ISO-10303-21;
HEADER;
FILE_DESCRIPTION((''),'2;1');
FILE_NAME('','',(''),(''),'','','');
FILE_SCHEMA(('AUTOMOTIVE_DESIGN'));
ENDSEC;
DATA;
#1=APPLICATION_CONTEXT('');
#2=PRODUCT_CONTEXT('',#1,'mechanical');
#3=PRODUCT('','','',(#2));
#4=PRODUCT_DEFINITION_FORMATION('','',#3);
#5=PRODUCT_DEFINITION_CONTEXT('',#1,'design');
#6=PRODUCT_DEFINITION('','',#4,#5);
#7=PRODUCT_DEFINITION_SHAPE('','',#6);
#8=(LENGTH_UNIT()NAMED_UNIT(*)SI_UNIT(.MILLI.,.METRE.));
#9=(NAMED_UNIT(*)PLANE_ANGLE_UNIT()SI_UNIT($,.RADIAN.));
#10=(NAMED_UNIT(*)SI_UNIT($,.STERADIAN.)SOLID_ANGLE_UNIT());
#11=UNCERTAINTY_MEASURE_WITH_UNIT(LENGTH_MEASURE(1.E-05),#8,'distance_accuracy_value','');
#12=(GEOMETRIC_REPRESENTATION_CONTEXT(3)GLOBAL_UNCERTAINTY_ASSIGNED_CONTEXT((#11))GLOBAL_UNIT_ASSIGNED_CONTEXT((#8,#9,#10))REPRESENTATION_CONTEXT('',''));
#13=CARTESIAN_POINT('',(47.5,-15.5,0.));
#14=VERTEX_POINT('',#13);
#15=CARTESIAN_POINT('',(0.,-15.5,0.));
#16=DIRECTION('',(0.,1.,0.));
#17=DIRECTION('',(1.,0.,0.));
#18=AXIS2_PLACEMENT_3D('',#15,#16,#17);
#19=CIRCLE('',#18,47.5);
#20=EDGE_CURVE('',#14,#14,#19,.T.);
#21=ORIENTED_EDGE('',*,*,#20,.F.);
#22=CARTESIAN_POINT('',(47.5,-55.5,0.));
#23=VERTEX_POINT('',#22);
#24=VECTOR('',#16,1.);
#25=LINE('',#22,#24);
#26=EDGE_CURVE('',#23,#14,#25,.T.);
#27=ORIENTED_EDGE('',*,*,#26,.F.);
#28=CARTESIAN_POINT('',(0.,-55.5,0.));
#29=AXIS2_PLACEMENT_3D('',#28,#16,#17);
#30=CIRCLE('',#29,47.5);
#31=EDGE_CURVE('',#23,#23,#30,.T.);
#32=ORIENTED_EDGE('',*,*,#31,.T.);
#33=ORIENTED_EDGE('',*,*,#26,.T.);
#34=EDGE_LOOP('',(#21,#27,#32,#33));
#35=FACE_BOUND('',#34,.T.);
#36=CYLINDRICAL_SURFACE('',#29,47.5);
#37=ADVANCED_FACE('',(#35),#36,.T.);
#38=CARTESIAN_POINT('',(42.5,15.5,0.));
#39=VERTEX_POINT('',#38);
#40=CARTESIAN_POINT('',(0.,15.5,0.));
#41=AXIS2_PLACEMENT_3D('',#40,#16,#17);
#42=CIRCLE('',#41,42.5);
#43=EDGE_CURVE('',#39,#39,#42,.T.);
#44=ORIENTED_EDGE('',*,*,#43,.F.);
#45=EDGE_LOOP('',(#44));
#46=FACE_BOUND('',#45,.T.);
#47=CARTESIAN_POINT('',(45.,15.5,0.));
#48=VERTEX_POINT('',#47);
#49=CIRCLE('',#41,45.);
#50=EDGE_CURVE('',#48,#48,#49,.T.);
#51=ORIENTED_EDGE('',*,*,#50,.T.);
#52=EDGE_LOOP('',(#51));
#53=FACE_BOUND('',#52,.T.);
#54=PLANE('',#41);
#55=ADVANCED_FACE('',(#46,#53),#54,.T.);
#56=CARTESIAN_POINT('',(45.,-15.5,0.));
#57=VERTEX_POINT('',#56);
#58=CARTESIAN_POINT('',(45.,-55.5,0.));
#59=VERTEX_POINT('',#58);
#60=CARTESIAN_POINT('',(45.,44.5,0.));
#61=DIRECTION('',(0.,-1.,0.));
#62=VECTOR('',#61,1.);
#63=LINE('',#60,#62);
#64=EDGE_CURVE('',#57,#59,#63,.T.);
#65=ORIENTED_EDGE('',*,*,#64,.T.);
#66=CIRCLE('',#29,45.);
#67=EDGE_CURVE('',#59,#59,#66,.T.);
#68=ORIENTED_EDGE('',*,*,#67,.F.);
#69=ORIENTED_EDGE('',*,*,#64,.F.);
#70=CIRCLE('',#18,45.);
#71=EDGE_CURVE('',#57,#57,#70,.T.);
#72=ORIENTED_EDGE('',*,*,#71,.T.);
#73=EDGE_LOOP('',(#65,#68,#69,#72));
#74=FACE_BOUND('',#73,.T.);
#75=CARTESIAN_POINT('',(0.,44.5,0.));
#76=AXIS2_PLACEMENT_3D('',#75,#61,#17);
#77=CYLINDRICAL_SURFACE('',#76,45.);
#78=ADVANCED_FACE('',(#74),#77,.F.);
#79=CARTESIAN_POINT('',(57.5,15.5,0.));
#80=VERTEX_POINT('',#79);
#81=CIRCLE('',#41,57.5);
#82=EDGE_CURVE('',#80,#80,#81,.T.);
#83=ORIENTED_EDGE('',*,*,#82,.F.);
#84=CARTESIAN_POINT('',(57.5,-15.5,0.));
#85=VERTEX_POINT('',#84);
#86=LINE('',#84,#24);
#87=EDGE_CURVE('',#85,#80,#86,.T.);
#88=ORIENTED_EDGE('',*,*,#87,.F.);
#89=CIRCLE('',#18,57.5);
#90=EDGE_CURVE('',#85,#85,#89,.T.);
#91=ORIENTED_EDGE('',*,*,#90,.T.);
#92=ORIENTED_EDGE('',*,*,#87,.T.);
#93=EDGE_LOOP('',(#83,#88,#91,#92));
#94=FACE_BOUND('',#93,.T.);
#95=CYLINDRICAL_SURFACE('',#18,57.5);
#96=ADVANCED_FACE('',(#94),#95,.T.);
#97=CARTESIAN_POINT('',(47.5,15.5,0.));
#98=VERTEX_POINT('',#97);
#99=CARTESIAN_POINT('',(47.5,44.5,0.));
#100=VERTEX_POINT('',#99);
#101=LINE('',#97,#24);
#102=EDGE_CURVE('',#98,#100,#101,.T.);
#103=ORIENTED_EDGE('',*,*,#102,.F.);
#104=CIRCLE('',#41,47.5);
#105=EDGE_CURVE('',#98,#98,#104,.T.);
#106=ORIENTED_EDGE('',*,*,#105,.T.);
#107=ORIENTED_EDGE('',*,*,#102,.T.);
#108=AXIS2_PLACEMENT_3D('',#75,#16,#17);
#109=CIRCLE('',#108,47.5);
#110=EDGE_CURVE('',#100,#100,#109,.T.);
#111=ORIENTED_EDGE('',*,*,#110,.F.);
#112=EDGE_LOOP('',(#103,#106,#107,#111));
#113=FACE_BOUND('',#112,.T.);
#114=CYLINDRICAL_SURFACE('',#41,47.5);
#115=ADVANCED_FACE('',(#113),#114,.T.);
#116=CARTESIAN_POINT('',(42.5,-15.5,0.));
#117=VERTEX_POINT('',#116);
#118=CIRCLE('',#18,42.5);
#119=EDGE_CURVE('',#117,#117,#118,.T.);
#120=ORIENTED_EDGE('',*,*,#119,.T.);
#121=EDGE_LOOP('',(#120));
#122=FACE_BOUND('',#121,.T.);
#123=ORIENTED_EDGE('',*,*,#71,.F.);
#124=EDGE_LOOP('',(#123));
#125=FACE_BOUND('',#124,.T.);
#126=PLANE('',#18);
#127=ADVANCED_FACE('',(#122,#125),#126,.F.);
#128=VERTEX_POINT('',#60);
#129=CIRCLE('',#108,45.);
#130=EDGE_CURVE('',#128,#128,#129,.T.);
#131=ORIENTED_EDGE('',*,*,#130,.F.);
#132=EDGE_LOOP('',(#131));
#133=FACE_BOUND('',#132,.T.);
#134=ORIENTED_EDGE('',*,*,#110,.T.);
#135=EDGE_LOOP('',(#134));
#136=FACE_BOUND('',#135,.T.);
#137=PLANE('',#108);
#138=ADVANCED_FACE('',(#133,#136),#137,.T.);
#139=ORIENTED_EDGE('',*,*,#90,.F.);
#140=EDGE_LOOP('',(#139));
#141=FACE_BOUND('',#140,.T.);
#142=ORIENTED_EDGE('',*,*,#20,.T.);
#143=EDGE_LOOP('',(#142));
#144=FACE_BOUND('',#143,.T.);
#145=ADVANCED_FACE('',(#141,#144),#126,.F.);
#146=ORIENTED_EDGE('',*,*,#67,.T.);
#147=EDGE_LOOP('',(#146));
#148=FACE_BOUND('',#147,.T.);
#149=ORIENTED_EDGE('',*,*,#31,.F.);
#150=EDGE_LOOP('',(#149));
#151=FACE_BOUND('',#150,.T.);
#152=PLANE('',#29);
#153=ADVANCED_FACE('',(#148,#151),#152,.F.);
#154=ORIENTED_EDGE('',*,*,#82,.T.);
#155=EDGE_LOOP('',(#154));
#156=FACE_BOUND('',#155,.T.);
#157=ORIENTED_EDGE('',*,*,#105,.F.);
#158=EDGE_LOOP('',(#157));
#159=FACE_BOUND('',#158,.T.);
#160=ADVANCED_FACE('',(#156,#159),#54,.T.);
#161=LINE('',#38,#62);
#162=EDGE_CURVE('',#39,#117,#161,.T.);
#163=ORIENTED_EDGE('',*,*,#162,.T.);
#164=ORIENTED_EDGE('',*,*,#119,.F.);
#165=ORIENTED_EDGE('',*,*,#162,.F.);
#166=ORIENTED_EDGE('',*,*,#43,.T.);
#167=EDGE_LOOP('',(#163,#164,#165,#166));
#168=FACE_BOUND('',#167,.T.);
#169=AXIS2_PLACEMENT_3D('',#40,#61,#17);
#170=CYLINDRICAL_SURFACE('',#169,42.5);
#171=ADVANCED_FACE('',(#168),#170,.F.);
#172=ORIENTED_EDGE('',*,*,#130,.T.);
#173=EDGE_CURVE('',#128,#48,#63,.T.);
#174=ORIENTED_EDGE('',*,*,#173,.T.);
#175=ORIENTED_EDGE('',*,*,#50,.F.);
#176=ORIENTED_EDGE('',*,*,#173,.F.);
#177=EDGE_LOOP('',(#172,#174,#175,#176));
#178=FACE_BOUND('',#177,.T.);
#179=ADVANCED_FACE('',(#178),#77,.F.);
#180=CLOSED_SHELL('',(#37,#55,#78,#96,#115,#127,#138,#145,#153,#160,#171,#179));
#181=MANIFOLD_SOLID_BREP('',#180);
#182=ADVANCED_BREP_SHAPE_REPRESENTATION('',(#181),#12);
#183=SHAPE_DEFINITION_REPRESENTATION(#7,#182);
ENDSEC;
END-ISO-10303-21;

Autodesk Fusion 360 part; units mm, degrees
sketch "Sketch1" plane through (0, 0, 0) normal (0, 0, 1) x (1, 0, 0)
  circle A0 centre (74.5, 0) radius 2
  dimension "d1" = 4
  dimension "d2" = 74.5
revolve "Revolve1" add sketch "Sketch1" angle 360 about axis through (0, 1.75, 0) along (0, 1, 0)
equation "d2 = ( 145 / 2 ) * 1 mm + 2 mm"

Autodesk Fusion 360 part; units mm, degrees
sketch "Sketch1" plane through (0, 0, 0) normal (0, 0, 1) x (1, 0, 0)
  line L0 (45, 44.5) -> (45, -55.5)
  line L1 (45, -55.5) -> (47.5, -55.5)
  line L2 (47.5, -55.5) -> (47.5, -15.5)
  line L3 (47.5, -15.5) -> (57.5, -15.5)
  line L4 (57.5, -15.5) -> (57.5, 15.5)
  line L5 (57.5, 15.5) -> (47.5, 15.5)
  line L6 (47.5, 15.5) -> (47.5, 44.5)
  line L7 (47.5, 44.5) -> (45, 44.5)
  line L8 (0, 0) -> (57.5, 0) construction
  line L9 (45, 15.5) -> (42.5, 15.5)
  line L10 (42.5, 15.5) -> (42.5, -15.5)
  line L11 (42.5, -15.5) -> (45, -15.5)
  dimension "d1" = 45
  dimension "d2" = 47.5
  dimension "d4" = 31
  dimension "d8" = 29
  dimension "d9" = 40
  dimension "d10" = 100
  dimension "d11" = 57.5
  dimension "d12" = 42.5
revolve "Revolve1" add sketch "Sketch1" angle 360 about axis through (0, 1.75, 0) along (0, 1, 0)
equation "d1 = ( 90 / 2 ) * 1 mm"
equation "d2 = ( 95 / 2 ) * 1 mm"
equation "d11 = ( 115 / 2 ) * 1 mm"
equation "d12 = ( 85 / 2 ) * 1 mm"
